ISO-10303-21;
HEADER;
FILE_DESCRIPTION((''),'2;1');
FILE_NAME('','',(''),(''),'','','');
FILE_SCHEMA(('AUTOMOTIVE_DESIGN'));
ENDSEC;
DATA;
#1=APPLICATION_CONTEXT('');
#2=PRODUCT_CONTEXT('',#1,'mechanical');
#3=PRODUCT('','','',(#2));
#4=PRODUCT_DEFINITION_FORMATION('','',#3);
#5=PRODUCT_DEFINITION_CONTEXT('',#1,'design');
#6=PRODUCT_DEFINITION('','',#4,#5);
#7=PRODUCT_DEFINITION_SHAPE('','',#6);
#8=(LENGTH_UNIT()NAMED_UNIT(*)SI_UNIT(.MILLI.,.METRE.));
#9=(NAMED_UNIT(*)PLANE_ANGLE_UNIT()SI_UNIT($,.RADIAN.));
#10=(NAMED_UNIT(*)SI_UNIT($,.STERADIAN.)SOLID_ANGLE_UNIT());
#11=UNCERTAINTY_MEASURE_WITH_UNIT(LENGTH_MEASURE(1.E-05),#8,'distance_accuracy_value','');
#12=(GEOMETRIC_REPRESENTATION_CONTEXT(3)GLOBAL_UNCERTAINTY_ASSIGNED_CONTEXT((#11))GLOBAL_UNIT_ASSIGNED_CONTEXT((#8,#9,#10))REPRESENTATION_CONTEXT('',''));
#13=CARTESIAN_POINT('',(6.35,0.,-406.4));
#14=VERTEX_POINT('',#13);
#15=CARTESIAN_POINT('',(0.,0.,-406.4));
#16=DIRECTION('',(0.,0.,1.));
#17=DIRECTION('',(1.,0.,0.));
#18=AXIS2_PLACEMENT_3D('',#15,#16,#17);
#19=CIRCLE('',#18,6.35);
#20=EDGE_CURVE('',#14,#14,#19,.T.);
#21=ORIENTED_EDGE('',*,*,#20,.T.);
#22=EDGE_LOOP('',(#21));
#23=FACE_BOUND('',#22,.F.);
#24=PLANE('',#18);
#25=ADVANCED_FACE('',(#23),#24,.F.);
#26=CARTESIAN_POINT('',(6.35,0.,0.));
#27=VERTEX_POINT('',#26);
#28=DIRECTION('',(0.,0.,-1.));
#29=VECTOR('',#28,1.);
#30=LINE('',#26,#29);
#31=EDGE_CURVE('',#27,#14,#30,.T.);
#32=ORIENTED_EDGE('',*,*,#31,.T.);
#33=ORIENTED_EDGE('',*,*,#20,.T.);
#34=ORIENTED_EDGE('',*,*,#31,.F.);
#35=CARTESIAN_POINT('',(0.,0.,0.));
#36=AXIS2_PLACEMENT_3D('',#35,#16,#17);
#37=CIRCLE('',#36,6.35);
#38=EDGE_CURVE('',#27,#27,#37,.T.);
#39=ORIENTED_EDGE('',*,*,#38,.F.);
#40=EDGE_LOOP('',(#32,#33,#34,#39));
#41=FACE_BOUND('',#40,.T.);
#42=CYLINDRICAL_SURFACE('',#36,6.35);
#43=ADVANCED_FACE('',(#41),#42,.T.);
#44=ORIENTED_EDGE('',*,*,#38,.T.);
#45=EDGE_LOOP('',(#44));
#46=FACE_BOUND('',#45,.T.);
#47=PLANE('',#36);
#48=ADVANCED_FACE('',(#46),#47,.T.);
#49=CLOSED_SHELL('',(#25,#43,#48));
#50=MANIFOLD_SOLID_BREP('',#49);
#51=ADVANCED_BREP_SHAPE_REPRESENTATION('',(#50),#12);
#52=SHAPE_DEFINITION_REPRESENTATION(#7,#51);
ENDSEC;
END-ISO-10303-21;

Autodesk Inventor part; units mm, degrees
ref_plane "YZ Plane" through (0, 0, 0) normal (1, 0, 0) x (0, 1, 0)
ref_plane "XZ Plane" through (0, 0, 0) normal (0, 1, 0) x (-1, 0, 0)
ref_plane "XY Plane" through (0, 0, 0) normal (0, 0, 1) x (1, 0, 0)
sketch "Sketch1" plane through (0, 0, 0) normal (0, 0, 1) x (1, 0, 0)
  circle A0 centre (0, 0) radius 6.35
  dimension "d0" = 12.7
  dimension "d0" = 12.7
extrude "Extrusion1" add sketch "Sketch1" against normal blind 406.4
properties part number "0.5unkeyedaxle_16"
